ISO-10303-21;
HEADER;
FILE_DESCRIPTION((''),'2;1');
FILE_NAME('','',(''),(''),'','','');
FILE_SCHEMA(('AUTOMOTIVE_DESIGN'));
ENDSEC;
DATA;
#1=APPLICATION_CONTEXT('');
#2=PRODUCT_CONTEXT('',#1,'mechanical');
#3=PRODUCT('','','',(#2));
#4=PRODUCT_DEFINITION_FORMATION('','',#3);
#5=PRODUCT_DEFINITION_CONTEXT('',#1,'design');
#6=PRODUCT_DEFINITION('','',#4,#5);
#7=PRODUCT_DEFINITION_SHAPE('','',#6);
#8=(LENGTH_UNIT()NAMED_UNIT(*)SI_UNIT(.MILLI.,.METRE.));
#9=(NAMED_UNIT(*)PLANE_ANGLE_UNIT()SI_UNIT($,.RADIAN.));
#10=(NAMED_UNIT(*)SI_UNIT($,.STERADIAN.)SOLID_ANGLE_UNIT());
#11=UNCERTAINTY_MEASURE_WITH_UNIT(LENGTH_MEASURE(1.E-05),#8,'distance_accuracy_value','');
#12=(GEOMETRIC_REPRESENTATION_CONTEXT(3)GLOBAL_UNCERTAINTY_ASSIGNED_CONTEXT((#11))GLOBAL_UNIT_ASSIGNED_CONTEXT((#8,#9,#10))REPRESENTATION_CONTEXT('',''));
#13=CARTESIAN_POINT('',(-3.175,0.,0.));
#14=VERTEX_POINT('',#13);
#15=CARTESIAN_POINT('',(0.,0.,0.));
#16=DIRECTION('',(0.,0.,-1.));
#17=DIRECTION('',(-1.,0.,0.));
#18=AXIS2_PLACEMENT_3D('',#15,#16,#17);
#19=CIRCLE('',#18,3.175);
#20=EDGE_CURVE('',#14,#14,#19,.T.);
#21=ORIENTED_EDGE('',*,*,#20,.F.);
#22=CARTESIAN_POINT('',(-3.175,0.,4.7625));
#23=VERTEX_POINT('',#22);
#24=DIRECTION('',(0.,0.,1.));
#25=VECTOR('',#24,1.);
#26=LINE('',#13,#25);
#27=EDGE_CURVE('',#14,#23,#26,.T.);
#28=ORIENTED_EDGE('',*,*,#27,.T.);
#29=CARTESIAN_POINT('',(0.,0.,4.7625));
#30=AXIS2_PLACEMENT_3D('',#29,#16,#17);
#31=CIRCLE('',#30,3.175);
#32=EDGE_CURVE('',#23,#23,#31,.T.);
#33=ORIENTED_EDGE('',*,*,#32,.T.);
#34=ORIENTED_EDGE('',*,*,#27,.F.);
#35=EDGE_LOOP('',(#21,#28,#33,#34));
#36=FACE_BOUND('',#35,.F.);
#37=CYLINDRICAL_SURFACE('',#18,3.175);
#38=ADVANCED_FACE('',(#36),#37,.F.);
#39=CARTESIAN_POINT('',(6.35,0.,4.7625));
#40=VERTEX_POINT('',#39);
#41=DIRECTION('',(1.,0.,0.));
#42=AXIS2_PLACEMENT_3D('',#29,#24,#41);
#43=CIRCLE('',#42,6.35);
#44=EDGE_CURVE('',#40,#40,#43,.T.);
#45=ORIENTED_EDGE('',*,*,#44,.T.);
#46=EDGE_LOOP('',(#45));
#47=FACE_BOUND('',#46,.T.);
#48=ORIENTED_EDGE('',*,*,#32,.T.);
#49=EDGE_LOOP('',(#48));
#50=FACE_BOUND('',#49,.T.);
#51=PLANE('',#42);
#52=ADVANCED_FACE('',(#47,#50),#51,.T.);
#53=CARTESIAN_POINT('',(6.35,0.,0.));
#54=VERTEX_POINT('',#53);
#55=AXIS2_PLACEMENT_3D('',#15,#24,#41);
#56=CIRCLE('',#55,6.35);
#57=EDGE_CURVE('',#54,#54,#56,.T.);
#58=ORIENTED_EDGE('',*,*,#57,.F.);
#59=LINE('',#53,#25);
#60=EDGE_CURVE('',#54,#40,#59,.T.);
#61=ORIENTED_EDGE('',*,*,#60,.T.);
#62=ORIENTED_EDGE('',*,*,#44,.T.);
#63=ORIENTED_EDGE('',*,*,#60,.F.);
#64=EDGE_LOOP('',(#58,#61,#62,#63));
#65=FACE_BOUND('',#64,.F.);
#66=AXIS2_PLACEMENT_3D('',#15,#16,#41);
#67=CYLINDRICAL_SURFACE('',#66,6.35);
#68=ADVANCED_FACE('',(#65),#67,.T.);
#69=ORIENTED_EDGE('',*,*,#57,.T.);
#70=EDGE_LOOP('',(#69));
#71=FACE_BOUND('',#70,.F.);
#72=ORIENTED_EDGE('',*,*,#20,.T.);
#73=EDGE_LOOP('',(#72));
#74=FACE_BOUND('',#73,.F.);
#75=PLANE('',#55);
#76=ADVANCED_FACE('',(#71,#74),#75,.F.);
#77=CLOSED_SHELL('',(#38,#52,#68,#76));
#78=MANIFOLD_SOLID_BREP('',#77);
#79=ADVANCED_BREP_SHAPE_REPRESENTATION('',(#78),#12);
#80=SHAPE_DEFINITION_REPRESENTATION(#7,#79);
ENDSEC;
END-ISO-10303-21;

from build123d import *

# Parameters (mm, degrees)
SKETCH1_R      = 6.35
EXTRUDE1_DEPTH = 4.7625
SKETCH2_R      = 3.175
EXTRUDE2_DEPTH = 5.7625


with BuildPart() as part:
    # Sketch1 → Extrude1 (new body)
    with BuildSketch(Plane.XY):
        Circle(SKETCH1_R)
    extrude(amount=EXTRUDE1_DEPTH)

    # Sketch2 → Extrude2 (cut, through all)
    with BuildSketch(Plane(origin=(0, 0, 0), x_dir=(-1, 0, 0), z_dir=(0, 0, -1))):
        Circle(SKETCH2_R)
    extrude(amount=-EXTRUDE2_DEPTH, mode=Mode.SUBTRACT)


solid = part.part
